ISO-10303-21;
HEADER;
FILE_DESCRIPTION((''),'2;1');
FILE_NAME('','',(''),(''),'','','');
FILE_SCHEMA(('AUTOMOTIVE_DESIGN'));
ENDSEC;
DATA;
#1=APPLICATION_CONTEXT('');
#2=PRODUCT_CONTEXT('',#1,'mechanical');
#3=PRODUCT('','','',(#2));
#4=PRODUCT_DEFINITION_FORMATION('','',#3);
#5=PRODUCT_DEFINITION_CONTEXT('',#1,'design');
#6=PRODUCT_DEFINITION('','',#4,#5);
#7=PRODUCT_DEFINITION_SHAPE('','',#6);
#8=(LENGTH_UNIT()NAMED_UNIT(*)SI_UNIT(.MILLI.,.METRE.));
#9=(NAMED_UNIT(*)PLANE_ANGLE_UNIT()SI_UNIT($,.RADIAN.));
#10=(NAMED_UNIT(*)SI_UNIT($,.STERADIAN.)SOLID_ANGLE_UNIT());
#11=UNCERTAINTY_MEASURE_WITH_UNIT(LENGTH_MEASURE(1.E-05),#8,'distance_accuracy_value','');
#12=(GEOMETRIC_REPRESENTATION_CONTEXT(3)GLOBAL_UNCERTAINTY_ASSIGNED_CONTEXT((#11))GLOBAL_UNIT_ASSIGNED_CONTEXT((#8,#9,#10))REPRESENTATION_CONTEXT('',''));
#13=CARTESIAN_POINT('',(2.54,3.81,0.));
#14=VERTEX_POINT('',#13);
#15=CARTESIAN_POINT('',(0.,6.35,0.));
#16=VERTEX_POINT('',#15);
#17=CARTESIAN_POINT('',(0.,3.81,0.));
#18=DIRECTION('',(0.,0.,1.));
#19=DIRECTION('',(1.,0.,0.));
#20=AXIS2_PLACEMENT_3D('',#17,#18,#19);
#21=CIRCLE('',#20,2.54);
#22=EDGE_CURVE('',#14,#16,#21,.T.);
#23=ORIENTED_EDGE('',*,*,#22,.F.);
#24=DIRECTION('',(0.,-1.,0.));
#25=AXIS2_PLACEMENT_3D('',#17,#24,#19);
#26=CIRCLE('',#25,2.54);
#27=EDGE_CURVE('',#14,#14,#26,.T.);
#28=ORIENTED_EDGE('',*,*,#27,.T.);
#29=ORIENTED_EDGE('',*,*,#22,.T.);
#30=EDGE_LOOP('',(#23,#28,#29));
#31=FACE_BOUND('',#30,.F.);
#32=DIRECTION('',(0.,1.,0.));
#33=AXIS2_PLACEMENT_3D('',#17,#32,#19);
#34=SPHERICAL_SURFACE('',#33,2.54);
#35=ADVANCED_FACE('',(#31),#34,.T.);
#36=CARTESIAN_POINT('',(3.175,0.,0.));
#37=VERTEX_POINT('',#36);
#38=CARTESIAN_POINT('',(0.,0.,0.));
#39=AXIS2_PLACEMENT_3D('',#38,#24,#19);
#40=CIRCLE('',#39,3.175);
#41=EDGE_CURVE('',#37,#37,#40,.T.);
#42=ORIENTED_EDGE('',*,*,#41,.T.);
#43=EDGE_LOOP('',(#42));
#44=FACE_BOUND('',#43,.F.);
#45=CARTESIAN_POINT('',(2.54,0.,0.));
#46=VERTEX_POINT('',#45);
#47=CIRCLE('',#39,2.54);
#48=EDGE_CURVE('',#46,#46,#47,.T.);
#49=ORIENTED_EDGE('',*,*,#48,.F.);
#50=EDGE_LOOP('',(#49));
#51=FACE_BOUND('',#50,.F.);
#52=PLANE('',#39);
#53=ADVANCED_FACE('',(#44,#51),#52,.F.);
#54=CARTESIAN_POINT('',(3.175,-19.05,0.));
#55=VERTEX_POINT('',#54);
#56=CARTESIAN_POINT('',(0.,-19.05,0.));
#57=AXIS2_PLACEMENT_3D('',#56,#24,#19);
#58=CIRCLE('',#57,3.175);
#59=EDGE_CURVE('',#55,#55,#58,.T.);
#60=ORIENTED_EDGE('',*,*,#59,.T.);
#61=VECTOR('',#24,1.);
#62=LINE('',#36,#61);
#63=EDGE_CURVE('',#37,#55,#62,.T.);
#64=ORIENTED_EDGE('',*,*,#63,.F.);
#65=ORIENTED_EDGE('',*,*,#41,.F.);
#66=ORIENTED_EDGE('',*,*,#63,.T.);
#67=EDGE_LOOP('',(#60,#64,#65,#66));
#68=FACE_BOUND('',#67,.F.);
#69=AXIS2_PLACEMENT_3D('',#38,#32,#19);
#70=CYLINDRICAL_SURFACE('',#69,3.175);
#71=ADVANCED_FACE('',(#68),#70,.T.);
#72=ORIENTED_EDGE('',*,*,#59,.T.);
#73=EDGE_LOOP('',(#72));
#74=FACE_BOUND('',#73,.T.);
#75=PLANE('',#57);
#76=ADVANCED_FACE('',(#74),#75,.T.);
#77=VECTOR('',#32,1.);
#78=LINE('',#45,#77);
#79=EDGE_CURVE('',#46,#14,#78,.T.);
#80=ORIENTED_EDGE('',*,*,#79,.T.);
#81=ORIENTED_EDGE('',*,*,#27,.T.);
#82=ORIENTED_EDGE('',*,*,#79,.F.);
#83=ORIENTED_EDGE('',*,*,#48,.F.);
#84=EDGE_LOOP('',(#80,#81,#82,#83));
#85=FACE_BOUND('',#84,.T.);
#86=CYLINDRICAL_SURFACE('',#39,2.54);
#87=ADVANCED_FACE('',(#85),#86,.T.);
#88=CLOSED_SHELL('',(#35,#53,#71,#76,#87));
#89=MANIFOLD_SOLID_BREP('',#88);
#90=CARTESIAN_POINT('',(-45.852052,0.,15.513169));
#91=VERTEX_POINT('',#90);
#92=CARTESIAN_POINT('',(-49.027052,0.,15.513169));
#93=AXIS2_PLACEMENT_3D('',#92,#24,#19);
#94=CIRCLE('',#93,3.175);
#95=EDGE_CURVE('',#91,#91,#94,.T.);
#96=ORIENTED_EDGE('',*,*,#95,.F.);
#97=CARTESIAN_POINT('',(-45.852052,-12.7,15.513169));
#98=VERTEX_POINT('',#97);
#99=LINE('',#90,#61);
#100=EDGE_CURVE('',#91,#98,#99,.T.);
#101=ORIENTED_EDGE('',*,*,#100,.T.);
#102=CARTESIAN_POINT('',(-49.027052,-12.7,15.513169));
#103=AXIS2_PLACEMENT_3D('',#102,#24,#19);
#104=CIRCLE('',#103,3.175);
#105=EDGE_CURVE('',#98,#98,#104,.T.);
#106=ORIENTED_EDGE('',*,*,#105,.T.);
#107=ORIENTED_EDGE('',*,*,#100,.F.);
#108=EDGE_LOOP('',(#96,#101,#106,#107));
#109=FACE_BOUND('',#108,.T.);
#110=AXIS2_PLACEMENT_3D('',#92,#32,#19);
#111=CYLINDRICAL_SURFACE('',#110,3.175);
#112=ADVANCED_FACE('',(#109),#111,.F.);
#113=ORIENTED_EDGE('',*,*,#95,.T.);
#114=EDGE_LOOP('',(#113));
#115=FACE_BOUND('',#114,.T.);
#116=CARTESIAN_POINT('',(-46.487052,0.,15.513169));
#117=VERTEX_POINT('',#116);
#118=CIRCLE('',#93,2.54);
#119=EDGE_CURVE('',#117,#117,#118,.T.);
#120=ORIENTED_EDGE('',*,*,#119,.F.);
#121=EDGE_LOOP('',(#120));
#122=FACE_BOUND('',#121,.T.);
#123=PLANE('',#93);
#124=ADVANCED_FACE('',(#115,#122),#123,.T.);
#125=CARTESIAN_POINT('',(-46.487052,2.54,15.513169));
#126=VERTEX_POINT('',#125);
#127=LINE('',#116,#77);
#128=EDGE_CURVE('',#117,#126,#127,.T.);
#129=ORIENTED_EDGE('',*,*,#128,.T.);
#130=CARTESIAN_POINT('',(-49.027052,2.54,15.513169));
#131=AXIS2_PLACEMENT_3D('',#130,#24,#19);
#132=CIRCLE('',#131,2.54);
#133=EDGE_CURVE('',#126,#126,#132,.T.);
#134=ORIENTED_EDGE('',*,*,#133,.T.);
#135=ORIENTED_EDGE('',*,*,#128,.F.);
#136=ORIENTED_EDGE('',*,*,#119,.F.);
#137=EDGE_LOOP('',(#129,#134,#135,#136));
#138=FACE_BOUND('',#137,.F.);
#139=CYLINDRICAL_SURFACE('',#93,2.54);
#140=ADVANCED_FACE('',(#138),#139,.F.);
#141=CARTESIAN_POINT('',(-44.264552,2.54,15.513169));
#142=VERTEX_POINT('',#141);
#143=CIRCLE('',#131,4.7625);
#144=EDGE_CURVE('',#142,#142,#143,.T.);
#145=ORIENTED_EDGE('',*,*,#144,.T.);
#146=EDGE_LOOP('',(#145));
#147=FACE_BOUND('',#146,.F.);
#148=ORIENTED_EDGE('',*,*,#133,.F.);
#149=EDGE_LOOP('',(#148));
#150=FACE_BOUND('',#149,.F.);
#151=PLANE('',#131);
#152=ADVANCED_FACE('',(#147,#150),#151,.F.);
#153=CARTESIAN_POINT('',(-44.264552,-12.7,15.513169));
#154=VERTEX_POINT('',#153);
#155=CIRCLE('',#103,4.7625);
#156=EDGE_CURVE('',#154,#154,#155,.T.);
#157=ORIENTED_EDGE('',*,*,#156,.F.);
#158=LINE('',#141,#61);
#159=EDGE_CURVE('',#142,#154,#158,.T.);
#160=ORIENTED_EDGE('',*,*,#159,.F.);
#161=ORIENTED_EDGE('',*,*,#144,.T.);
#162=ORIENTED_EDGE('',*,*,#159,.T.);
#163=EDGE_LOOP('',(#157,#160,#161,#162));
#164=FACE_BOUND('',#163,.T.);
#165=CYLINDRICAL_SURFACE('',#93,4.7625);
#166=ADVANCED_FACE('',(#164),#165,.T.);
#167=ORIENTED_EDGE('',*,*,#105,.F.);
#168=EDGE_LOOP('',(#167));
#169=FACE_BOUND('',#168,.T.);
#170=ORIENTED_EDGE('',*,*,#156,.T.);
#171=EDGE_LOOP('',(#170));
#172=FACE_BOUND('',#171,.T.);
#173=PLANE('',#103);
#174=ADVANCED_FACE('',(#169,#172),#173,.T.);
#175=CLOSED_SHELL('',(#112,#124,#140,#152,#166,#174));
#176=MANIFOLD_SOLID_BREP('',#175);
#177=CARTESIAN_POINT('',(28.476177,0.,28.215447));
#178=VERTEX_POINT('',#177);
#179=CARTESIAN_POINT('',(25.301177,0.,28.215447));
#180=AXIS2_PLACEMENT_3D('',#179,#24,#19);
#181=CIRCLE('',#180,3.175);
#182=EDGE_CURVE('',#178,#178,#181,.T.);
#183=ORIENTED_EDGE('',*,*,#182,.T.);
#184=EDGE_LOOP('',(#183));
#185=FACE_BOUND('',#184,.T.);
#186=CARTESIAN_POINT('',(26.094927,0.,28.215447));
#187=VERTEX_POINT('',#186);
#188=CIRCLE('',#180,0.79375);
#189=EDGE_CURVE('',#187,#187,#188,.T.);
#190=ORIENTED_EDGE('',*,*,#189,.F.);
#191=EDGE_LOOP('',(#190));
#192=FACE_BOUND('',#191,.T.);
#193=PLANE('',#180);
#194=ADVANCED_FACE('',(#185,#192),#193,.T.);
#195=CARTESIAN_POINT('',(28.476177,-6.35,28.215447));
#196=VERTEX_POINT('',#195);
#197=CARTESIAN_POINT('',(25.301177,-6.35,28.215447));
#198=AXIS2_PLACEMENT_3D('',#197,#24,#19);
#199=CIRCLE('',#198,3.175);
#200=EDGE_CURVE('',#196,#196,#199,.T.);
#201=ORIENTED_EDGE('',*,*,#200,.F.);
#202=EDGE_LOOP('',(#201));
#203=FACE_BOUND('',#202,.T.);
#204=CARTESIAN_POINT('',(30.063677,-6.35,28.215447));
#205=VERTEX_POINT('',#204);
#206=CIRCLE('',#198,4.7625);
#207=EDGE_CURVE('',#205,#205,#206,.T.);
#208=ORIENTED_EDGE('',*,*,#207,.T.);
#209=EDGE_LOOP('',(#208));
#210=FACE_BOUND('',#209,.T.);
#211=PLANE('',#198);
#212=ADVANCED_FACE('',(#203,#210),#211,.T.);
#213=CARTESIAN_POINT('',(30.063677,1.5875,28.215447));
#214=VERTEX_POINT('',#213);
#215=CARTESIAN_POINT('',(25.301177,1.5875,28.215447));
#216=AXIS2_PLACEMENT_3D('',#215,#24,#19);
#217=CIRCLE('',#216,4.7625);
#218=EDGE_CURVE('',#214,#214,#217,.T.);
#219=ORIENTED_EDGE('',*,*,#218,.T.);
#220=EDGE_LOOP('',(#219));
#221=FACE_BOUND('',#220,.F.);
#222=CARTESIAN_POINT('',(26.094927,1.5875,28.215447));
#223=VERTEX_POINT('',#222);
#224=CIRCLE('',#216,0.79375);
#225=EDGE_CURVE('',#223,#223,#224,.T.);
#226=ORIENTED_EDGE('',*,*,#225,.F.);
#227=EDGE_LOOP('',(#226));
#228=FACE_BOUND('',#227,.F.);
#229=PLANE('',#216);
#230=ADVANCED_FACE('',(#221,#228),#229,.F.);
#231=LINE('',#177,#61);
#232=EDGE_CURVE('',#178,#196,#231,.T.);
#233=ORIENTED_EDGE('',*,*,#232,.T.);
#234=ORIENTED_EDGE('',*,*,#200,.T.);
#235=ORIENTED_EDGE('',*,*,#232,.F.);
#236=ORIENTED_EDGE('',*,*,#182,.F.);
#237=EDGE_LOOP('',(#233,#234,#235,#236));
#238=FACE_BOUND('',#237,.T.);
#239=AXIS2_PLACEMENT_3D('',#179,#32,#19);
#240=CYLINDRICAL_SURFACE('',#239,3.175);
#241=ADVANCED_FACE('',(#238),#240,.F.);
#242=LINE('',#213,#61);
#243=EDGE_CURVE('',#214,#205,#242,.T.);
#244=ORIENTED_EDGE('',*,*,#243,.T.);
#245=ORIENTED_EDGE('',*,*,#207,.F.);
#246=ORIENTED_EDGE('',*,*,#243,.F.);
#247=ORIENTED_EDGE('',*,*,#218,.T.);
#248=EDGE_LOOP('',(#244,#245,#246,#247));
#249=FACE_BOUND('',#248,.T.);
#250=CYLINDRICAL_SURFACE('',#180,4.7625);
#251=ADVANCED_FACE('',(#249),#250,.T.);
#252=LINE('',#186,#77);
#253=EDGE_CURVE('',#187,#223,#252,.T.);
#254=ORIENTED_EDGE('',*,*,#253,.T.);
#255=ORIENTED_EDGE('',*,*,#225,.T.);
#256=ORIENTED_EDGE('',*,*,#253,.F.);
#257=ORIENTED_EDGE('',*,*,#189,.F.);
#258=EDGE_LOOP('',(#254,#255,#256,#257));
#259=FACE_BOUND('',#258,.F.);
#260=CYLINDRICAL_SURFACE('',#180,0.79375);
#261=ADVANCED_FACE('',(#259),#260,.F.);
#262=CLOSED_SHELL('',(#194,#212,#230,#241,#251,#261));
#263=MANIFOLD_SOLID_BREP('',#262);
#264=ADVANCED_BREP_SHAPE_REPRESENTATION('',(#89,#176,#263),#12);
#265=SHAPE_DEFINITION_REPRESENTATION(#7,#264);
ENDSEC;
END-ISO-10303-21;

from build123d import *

# Parameters (mm, degrees)
F0_R     = 3.175
F0_R_2   = 2.54
F1_DEPTH = 19.05
F2_DEPTH = 6.35
F3_R     = 2.54
F4_R     = 4.7625
F4_R_2   = 3.175
F5_DEPTH = 12.7
F4_R_3   = 2.54
F6_DEPTH = 2.54
F7_R     = 4.7625
F7_R_2   = 3.175
F8_DEPTH = 6.35
F7_R_3   = 0.79375
F9_DEPTH = 1.5875


with BuildPart() as f1:
    # F0 (on Front) → F1 (new body)
    with BuildSketch(Plane.XZ):
        Circle(F0_R)
        Circle(F0_R_2, mode=Mode.SUBTRACT)
        Circle(F0_R_2)
    extrude(amount=F1_DEPTH)

    # F0 (on Front) → F2 (join)
    with BuildSketch(Plane.XZ):
        Circle(F0_R_2)
    extrude(amount=-F2_DEPTH)

    # F3
    f3_edges = [f1.edges().sort_by_distance(p)[0] for p in [
        (-2.54, 6.35, 0),
    ]]
    fillet(f3_edges, radius=F3_R)


with BuildPart() as f5:
    # F4 (on Front) → F5 (new body)
    with BuildSketch(Plane.XZ):
        with Locations((-49.0270517766, 15.5131686479)):
            Circle(F4_R)
        with Locations((-49.0270517766, 15.5131686479)):
            Circle(F4_R_2, mode=Mode.SUBTRACT)
    extrude(amount=F5_DEPTH)

    # F4 (on Front) → F6 (join)
    with BuildSketch(Plane.XZ):
        with Locations((-49.0270517766, 15.5131686479)):
            Circle(F4_R)
        with Locations((-49.0270517766, 15.5131686479)):
            Circle(F4_R_2, mode=Mode.SUBTRACT)
        with Locations((-49.0270517766, 15.5131686479)):
            Circle(F4_R_2)
        with Locations((-49.0270517766, 15.5131686479)):
            Circle(F4_R_3, mode=Mode.SUBTRACT)
    extrude(amount=-F6_DEPTH)


with BuildPart() as f8:
    # F7 (on Front) → F8 (new body)
    with BuildSketch(Plane.XZ):
        with Locations((25.3011770546, 28.2154474407)):
            Circle(F7_R)
        with Locations((25.3011770546, 28.2154474407)):
            Circle(F7_R_2, mode=Mode.SUBTRACT)
    extrude(amount=F8_DEPTH)

    # F7 (on Front) → F9 (join)
    with BuildSketch(Plane.XZ):
        with Locations((25.3011770546, 28.2154474407)):
            Circle(F7_R)
        with Locations((25.3011770546, 28.2154474407)):
            Circle(F7_R_2, mode=Mode.SUBTRACT)
        with Locations((25.3011770546, 28.2154474407)):
            Circle(F7_R_2)
        with Locations((25.3011770546, 28.2154474407)):
            Circle(F7_R_3, mode=Mode.SUBTRACT)
    extrude(amount=-F9_DEPTH)


solid = Compound([f1.part, f5.part, f8.part])
